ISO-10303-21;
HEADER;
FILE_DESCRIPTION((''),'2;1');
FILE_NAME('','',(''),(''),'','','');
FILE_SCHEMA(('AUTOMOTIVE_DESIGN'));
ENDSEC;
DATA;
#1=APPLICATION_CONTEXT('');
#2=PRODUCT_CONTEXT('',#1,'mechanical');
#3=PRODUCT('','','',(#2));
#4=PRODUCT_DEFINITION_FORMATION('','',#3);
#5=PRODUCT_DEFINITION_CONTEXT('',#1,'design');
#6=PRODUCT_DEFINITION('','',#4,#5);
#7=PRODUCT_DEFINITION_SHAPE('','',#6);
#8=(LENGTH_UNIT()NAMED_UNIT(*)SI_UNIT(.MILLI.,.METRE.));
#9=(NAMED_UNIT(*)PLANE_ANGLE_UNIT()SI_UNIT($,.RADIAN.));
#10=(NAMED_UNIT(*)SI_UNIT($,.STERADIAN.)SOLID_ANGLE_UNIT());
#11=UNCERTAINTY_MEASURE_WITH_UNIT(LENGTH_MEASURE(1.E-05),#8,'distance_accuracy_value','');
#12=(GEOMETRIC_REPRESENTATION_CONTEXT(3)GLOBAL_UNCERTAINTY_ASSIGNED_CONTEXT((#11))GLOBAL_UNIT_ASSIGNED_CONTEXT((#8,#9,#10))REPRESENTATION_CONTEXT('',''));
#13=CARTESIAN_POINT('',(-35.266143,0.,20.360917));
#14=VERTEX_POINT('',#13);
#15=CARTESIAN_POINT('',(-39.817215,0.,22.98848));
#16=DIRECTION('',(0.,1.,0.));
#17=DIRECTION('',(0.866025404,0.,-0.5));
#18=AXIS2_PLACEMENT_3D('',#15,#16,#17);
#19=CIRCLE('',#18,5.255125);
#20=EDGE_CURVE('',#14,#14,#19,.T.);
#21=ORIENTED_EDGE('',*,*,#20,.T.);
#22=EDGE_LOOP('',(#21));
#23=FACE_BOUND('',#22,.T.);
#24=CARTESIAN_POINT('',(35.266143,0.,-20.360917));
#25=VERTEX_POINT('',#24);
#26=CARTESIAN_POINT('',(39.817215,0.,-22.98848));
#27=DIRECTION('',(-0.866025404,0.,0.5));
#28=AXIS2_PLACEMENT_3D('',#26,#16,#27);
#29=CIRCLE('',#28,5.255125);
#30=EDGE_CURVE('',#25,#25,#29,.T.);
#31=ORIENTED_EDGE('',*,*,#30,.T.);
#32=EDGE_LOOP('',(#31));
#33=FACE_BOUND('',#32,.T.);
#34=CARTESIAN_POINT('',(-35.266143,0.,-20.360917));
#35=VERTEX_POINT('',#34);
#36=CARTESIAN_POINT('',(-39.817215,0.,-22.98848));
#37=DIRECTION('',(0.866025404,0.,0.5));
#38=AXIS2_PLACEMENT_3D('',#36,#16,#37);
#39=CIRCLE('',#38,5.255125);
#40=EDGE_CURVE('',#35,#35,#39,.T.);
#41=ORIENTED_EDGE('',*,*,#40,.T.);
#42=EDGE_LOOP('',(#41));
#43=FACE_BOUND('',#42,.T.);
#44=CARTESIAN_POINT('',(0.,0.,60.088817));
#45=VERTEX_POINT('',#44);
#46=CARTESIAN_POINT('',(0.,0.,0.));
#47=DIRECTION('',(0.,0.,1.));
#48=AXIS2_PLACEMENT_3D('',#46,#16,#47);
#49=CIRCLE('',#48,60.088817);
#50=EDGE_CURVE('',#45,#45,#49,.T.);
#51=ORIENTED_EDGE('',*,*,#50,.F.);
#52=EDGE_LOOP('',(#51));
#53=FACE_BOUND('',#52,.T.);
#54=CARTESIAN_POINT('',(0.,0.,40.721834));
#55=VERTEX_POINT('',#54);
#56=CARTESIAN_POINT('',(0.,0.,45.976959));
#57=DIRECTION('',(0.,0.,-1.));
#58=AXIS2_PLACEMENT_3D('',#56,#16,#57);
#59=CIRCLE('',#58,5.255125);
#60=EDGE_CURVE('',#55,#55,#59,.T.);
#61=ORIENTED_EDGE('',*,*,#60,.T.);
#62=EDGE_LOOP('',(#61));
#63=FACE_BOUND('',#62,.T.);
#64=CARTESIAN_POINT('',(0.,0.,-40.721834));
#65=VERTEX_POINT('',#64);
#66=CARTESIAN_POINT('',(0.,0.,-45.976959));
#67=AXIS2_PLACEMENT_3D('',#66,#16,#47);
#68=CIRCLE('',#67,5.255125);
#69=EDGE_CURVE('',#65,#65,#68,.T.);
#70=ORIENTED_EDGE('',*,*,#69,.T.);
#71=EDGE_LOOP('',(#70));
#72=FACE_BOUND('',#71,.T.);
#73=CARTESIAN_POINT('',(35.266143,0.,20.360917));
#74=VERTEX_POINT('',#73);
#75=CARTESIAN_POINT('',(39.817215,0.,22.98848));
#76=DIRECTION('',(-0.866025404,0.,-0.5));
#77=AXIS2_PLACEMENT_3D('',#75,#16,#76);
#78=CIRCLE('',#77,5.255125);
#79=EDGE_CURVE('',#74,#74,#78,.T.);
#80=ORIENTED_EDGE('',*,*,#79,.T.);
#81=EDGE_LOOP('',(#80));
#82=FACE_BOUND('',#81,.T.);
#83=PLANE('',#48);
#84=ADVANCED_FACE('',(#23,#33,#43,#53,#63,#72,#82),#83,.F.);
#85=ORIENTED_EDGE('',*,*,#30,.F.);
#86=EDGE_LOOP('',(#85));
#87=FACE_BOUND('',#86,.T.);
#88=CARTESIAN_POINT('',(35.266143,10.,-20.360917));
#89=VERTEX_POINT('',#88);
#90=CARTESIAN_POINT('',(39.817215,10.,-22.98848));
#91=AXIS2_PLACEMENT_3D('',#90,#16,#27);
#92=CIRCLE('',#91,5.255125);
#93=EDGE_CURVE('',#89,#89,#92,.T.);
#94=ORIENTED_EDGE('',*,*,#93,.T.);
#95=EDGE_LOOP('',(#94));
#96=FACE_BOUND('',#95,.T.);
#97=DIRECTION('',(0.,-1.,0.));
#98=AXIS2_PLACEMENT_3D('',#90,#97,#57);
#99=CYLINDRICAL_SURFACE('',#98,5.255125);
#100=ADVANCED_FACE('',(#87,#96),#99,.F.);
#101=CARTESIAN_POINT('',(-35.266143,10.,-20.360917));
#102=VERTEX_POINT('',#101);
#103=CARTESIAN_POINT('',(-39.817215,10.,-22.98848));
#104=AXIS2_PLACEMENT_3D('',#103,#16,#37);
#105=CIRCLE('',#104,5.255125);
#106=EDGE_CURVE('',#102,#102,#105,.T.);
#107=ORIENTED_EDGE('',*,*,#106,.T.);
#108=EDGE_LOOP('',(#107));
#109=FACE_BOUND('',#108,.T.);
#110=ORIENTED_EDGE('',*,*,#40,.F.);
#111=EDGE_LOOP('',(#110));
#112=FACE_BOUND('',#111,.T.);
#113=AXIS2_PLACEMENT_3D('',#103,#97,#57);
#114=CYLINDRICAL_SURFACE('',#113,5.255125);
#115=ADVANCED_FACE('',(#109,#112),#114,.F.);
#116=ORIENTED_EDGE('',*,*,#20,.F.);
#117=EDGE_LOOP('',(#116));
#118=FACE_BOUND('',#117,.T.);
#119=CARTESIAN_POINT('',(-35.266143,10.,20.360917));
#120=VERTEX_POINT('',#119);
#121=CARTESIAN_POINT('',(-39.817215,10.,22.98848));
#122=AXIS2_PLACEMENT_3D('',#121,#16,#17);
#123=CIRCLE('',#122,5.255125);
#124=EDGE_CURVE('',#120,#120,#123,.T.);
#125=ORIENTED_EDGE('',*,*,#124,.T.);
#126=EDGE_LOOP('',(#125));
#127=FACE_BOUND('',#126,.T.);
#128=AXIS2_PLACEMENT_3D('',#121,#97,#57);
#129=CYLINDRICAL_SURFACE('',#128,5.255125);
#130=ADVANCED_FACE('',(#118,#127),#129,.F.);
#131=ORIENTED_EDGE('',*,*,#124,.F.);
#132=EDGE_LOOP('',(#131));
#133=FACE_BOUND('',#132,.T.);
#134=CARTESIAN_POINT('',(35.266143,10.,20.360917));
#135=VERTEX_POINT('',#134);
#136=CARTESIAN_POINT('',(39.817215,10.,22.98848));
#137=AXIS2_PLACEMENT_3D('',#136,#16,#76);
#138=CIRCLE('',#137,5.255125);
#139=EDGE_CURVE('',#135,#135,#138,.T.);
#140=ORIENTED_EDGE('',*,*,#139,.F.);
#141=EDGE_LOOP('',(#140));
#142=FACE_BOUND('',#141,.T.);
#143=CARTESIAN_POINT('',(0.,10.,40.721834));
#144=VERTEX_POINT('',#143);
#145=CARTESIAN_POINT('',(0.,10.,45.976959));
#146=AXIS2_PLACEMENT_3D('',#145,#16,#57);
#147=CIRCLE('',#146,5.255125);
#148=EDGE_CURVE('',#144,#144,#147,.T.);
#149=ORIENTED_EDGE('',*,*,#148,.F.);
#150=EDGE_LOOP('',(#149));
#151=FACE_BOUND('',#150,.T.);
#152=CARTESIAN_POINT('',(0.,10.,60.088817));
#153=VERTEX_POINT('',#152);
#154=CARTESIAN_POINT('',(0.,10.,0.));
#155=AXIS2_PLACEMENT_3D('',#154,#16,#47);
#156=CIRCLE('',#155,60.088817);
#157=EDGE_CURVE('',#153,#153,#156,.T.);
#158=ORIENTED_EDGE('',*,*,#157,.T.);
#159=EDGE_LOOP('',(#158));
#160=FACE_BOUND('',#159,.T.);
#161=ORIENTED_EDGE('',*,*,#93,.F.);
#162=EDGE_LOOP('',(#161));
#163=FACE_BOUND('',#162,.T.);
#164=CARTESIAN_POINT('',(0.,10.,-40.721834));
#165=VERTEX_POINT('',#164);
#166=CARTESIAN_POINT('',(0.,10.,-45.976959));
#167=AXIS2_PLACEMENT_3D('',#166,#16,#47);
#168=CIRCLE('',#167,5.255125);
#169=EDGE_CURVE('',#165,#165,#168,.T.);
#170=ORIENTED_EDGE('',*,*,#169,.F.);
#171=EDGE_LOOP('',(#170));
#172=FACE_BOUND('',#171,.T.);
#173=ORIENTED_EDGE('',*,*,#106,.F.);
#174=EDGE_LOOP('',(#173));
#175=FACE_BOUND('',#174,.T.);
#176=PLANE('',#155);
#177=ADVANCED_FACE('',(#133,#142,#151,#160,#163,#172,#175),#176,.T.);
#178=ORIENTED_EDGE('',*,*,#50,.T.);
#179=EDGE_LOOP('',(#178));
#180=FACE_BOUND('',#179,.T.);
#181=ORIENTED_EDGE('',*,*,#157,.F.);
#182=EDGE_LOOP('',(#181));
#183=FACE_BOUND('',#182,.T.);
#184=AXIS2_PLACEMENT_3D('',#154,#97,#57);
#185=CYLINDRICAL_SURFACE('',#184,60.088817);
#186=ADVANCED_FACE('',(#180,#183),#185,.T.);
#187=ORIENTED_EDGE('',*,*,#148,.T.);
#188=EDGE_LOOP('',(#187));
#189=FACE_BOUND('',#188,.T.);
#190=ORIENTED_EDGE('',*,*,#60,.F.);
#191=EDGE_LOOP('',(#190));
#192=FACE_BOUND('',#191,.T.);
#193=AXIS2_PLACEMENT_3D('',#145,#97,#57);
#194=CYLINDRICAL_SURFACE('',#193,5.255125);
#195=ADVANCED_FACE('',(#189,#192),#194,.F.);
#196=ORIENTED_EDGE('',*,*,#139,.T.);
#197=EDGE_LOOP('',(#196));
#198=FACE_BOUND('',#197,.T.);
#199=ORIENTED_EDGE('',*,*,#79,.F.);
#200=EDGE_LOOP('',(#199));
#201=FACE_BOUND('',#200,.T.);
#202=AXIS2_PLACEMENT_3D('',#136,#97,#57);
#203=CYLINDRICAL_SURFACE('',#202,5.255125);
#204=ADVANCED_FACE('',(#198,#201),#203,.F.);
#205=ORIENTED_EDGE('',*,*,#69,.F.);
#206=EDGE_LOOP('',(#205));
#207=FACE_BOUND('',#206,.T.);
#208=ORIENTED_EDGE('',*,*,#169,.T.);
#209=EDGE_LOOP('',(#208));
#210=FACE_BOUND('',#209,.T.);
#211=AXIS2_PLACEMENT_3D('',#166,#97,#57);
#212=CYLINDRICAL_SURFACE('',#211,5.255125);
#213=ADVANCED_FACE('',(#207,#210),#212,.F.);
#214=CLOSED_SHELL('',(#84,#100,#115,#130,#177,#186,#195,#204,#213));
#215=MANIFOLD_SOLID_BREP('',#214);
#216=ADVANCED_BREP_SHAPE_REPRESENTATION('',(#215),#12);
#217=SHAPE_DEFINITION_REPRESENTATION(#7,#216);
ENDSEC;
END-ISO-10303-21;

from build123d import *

# Parameters (mm, degrees)
SKETCH1_R           = 60.088817471
BOSS_EXTRUDE1_DEPTH = 10
SKETCH2_R           = 5.255125099
CUT_EXTRUDE1_DEPTH  = 10
CIRPATTERN1_COUNT   = 6


with BuildPart() as part:
    # Sketch1 → Boss-Extrude1 (new body)
    with BuildSketch(Plane(origin=(0, 0, 0), x_dir=(1, 0, 0), z_dir=(0, 1, 0))):
        with Locations(Location((0, 0, 0), (0, 0, 270))):
            Circle(SKETCH1_R)
    extrude(amount=BOSS_EXTRUDE1_DEPTH)

    # Sketch2 → Cut-Extrude1 (cut)
    with BuildSketch(Plane(origin=(0, 0, 0), x_dir=(1, 0, 0), z_dir=(0, 1, 0))):
        with Locations(Location((0, 45.976959249, 0), (0, 0, 270))):
            Circle(SKETCH2_R)
    cut_extrude1 = extrude(amount=CUT_EXTRUDE1_DEPTH, mode=Mode.SUBTRACT)

    # CirPattern1: Cut-Extrude1 ×6 about axis
    cirpattern1_axis = Axis((0, 0, 0), (0, 1, 0))
    for i in range(1, CIRPATTERN1_COUNT):
        add(cut_extrude1.rotate(cirpattern1_axis, i * 360 / CIRPATTERN1_COUNT), mode=Mode.SUBTRACT)


solid = part.part
